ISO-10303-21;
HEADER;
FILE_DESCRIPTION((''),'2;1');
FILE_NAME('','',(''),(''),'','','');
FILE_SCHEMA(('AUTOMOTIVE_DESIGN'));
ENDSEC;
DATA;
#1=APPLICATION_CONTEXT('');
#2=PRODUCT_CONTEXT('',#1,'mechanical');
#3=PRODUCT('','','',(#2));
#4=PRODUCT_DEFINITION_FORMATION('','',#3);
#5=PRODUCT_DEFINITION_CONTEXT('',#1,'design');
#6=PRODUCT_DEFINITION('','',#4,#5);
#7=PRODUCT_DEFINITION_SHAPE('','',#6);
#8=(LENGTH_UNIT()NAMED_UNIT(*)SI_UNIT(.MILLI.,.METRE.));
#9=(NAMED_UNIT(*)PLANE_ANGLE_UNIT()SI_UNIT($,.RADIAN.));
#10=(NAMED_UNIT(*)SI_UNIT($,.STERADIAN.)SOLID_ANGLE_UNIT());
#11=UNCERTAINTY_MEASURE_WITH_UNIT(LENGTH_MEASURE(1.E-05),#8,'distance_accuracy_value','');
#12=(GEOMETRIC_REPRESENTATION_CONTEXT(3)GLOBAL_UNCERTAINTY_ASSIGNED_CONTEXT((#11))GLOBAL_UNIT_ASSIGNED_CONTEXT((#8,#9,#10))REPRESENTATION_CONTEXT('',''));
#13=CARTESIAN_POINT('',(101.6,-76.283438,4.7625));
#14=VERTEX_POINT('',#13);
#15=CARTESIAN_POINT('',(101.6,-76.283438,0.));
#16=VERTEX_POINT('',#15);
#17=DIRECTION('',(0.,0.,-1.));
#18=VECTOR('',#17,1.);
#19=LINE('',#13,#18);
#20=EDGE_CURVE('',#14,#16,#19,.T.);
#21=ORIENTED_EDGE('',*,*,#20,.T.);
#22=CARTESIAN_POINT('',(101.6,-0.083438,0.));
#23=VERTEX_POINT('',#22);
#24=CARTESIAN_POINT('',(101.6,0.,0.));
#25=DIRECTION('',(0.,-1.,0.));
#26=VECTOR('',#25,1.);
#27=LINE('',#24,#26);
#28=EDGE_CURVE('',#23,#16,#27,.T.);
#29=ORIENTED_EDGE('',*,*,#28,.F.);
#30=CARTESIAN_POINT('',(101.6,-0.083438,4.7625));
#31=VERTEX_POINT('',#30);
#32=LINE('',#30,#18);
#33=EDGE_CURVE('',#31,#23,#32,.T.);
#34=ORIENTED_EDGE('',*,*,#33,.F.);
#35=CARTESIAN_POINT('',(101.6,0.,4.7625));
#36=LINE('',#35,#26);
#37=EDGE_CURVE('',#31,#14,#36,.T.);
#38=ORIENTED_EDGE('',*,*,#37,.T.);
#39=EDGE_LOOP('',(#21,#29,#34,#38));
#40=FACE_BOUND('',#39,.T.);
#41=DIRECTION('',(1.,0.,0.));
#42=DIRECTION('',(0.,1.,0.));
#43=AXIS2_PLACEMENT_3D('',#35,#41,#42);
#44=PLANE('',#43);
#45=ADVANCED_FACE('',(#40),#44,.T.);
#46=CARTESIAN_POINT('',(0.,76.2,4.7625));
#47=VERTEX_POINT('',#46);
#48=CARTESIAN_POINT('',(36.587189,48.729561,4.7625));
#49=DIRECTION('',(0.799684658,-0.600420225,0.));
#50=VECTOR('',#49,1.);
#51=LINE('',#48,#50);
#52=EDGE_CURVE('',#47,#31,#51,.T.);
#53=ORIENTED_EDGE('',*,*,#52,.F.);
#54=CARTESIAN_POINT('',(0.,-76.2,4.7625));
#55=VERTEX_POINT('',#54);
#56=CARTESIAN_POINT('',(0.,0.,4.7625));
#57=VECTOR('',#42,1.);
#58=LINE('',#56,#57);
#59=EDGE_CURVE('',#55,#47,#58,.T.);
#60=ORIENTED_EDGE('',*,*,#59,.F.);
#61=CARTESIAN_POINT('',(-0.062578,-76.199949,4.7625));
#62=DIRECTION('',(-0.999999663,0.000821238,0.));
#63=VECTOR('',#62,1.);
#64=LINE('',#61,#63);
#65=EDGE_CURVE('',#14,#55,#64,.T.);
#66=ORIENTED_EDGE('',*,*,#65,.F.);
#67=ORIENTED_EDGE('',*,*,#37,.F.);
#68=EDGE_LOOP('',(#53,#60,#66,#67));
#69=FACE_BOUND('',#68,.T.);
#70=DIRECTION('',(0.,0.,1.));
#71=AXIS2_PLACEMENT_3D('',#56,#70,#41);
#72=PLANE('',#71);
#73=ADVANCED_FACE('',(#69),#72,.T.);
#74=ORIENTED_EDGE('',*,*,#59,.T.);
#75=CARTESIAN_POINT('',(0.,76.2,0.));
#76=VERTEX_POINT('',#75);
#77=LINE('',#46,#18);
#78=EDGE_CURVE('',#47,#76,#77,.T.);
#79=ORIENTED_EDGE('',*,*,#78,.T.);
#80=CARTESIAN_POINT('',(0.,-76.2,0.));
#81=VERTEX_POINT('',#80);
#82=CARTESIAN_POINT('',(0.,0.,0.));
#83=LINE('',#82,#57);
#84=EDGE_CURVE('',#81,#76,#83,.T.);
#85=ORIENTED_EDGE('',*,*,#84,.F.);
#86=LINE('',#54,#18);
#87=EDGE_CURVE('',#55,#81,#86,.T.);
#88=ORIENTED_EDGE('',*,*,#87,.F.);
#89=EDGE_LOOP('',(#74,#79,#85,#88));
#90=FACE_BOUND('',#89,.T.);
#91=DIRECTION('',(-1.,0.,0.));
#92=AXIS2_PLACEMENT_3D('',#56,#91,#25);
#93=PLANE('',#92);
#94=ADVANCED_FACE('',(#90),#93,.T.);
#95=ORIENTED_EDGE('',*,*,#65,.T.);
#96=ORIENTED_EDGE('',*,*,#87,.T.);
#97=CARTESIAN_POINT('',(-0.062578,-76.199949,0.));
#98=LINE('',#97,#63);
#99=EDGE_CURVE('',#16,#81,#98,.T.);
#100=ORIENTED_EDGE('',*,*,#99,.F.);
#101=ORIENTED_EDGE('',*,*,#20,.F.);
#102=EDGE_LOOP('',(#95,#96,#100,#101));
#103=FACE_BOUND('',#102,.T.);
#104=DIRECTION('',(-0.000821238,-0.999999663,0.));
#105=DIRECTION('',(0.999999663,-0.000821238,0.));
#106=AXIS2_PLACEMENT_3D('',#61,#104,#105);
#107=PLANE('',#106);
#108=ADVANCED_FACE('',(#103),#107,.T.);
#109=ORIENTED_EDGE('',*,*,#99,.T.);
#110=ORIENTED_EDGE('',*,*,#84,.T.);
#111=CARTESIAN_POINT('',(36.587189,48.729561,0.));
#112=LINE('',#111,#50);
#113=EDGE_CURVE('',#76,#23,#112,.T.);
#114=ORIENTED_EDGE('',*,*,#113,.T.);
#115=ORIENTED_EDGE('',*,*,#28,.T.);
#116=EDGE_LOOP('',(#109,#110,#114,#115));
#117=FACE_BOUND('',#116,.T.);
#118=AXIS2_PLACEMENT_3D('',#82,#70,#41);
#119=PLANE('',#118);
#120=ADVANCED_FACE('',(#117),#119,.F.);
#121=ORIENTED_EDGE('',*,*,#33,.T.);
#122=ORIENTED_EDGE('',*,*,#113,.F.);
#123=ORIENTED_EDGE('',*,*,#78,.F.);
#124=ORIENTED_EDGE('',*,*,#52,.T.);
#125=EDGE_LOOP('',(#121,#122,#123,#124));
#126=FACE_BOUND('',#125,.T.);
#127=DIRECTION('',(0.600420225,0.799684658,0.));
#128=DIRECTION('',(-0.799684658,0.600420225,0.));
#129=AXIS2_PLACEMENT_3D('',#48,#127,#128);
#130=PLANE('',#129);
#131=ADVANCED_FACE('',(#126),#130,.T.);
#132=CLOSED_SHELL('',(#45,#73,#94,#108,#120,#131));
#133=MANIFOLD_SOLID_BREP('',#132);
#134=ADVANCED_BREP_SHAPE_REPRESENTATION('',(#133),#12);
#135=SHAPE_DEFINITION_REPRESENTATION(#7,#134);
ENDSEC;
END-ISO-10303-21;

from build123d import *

# Parameters (mm, degrees)
BOSS_EXTRUDE1_DEPTH = 4.7625


with BuildPart() as part:
    # Sketch1 → Boss-Extrude1 (new body)
    with BuildSketch(Plane.XY):
        Polygon((101.6, -76.283437785), (0, -76.2), (0, 76.2), (101.6, -0.083437785), align=None)
    extrude(amount=BOSS_EXTRUDE1_DEPTH)


solid = part.part
